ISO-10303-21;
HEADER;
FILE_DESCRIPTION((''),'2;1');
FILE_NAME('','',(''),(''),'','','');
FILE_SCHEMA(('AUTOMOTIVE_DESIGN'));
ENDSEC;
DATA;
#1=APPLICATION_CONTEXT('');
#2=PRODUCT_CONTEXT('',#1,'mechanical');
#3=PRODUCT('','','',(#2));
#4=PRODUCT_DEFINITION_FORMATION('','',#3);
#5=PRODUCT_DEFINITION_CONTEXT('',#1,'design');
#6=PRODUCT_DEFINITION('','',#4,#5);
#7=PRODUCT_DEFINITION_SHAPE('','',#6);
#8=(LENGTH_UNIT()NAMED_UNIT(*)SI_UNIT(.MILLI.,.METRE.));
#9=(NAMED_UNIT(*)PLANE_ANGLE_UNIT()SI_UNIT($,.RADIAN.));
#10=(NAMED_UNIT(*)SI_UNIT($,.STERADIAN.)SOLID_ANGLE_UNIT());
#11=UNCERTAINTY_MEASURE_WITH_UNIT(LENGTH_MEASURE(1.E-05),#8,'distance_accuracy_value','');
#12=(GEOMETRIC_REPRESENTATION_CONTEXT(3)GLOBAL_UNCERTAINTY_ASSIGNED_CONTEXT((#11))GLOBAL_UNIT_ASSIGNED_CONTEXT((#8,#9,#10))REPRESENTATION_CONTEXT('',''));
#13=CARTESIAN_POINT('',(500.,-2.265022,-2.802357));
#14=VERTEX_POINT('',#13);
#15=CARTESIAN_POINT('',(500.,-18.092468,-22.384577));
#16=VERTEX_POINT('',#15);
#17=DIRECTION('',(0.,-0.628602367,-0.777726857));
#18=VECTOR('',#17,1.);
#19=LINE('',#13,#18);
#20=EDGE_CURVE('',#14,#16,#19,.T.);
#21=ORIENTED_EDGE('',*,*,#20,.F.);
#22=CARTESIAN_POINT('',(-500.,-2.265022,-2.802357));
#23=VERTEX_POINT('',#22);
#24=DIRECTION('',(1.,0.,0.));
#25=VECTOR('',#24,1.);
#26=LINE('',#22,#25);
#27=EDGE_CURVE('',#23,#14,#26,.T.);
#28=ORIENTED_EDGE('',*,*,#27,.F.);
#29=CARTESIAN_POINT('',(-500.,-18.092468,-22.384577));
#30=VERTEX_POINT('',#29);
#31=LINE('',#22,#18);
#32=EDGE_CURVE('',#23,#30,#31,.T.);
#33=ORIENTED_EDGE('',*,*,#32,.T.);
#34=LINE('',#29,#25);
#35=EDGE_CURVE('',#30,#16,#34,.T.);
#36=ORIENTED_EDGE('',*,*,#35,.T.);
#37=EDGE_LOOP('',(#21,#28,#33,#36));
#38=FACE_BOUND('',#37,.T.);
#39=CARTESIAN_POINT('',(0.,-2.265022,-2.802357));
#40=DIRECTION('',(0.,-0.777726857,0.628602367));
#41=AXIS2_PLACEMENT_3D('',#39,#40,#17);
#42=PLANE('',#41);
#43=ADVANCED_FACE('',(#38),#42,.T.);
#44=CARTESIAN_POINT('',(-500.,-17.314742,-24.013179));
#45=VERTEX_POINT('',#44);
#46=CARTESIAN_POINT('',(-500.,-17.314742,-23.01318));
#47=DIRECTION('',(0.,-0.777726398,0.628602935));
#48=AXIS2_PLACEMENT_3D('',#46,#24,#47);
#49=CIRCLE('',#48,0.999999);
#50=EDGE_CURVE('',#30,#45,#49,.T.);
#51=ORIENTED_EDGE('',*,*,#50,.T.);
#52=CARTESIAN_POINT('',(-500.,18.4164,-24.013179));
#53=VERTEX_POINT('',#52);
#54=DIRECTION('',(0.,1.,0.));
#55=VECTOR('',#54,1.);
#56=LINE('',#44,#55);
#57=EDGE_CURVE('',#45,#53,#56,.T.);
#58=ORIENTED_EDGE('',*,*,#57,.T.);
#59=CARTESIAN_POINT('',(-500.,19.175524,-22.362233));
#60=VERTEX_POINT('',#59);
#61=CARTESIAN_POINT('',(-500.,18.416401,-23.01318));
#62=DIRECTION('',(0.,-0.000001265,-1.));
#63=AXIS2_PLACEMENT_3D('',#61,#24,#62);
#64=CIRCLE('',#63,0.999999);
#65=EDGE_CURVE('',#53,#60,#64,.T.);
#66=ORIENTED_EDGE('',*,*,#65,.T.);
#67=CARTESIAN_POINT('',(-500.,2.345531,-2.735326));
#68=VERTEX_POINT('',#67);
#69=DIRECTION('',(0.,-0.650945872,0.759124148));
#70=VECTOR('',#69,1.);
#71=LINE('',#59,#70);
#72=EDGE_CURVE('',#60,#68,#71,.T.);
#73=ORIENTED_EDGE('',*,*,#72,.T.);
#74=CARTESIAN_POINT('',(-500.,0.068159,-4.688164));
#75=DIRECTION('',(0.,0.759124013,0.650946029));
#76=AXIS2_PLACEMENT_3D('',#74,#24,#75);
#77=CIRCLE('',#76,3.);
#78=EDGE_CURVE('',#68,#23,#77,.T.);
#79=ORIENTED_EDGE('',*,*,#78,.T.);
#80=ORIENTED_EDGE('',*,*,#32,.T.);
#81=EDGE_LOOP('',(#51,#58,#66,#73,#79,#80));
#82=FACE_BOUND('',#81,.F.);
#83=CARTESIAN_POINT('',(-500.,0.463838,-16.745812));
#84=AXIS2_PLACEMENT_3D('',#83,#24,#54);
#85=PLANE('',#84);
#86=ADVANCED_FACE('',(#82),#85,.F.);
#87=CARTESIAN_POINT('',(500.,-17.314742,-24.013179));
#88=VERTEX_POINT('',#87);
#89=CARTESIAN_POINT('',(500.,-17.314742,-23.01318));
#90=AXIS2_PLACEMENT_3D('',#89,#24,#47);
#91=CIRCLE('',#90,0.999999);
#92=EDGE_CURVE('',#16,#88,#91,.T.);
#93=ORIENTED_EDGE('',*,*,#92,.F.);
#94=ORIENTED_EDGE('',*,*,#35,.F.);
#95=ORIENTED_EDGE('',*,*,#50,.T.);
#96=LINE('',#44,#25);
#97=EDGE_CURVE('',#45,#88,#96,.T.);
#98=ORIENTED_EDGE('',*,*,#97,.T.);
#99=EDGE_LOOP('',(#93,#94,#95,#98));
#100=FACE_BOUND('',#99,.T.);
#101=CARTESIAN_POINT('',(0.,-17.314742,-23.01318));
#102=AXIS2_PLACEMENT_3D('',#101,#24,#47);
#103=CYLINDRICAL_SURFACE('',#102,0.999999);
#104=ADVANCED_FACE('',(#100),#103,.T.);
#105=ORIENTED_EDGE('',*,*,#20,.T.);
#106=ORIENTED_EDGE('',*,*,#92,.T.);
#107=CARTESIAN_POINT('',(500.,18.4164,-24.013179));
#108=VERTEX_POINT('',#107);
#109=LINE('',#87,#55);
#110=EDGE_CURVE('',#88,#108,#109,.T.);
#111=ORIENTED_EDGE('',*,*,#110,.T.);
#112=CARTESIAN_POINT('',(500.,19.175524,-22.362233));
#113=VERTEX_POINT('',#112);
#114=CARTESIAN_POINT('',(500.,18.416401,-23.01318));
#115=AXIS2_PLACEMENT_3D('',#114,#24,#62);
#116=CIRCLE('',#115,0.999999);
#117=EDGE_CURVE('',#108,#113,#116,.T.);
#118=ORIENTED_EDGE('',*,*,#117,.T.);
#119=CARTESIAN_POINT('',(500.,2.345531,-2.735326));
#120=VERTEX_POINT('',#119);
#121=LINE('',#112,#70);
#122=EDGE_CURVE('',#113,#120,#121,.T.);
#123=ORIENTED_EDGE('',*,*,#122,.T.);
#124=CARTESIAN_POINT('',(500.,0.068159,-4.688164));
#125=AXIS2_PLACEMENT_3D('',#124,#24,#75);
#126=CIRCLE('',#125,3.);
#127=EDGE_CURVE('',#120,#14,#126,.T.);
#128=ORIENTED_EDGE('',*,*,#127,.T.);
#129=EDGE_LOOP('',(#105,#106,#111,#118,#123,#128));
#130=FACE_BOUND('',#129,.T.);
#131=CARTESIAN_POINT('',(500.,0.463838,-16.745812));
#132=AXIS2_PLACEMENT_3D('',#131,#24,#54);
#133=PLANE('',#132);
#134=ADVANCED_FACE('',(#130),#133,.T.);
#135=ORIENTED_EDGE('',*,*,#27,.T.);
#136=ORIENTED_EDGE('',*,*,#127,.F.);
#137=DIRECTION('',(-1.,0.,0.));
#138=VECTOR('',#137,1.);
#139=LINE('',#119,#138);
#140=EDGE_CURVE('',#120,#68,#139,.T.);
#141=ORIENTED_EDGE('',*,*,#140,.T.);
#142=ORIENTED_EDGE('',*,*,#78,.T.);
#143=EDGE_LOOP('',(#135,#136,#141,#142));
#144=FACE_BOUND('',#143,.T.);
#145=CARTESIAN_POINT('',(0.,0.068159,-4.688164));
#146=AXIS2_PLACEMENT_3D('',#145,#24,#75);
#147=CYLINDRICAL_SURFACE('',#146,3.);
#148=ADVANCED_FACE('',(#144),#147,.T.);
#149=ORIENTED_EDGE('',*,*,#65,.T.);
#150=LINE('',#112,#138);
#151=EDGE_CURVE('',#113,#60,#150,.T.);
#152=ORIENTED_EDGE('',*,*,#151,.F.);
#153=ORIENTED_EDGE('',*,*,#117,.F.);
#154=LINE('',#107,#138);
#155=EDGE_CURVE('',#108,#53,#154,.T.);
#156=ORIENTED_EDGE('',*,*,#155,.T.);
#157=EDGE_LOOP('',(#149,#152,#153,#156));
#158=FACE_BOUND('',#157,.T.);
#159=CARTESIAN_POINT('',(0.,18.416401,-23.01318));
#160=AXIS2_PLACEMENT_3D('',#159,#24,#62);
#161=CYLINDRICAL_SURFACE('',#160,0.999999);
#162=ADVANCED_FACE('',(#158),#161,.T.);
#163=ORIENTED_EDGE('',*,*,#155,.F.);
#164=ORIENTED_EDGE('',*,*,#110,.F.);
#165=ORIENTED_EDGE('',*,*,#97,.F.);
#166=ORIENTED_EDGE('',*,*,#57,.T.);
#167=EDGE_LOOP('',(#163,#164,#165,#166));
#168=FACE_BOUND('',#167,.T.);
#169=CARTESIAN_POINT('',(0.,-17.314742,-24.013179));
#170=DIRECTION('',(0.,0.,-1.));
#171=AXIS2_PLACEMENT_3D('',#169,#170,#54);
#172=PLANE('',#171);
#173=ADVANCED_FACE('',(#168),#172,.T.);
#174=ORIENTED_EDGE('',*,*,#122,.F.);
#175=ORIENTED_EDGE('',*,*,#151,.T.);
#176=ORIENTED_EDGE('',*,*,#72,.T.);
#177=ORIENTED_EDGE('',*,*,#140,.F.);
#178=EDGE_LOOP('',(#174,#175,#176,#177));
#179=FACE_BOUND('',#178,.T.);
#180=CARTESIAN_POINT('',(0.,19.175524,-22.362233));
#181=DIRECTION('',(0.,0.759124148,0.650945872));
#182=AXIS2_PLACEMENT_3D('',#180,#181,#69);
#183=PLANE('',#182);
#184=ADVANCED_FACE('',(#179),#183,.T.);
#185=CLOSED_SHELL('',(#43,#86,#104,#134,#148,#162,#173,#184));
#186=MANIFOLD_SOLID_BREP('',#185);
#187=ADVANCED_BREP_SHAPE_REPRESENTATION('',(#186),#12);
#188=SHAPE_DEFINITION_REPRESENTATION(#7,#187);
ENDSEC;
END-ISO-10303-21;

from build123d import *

# Parameters (mm, degrees)
F1_DEPTH = 500


with BuildPart() as f1:
    # F0 (on Right) → F1 (new body, symmetric)
    with BuildSketch(Plane.YZ):
        with BuildLine():
            ThreePointArc((2.345531, -2.735326), (0.024548, -1.688481), (-2.265022, -2.802357))
            Line((-2.265022, -2.802357), (-18.092468, -22.384577))
            ThreePointArc((-18.092468, -22.384577), (-18.217128, -23.444107), (-17.314742, -24.013179))
            Line((-17.314742, -24.013179), (18.4164, -24.013179))
            ThreePointArc((18.4164, -24.013179), (19.324956, -23.430944), (19.175524, -22.362233))
            Line((19.175524, -22.362233), (2.345531, -2.735326))
        make_face()
    extrude(amount=F1_DEPTH, both=True)


solid = f1.part
